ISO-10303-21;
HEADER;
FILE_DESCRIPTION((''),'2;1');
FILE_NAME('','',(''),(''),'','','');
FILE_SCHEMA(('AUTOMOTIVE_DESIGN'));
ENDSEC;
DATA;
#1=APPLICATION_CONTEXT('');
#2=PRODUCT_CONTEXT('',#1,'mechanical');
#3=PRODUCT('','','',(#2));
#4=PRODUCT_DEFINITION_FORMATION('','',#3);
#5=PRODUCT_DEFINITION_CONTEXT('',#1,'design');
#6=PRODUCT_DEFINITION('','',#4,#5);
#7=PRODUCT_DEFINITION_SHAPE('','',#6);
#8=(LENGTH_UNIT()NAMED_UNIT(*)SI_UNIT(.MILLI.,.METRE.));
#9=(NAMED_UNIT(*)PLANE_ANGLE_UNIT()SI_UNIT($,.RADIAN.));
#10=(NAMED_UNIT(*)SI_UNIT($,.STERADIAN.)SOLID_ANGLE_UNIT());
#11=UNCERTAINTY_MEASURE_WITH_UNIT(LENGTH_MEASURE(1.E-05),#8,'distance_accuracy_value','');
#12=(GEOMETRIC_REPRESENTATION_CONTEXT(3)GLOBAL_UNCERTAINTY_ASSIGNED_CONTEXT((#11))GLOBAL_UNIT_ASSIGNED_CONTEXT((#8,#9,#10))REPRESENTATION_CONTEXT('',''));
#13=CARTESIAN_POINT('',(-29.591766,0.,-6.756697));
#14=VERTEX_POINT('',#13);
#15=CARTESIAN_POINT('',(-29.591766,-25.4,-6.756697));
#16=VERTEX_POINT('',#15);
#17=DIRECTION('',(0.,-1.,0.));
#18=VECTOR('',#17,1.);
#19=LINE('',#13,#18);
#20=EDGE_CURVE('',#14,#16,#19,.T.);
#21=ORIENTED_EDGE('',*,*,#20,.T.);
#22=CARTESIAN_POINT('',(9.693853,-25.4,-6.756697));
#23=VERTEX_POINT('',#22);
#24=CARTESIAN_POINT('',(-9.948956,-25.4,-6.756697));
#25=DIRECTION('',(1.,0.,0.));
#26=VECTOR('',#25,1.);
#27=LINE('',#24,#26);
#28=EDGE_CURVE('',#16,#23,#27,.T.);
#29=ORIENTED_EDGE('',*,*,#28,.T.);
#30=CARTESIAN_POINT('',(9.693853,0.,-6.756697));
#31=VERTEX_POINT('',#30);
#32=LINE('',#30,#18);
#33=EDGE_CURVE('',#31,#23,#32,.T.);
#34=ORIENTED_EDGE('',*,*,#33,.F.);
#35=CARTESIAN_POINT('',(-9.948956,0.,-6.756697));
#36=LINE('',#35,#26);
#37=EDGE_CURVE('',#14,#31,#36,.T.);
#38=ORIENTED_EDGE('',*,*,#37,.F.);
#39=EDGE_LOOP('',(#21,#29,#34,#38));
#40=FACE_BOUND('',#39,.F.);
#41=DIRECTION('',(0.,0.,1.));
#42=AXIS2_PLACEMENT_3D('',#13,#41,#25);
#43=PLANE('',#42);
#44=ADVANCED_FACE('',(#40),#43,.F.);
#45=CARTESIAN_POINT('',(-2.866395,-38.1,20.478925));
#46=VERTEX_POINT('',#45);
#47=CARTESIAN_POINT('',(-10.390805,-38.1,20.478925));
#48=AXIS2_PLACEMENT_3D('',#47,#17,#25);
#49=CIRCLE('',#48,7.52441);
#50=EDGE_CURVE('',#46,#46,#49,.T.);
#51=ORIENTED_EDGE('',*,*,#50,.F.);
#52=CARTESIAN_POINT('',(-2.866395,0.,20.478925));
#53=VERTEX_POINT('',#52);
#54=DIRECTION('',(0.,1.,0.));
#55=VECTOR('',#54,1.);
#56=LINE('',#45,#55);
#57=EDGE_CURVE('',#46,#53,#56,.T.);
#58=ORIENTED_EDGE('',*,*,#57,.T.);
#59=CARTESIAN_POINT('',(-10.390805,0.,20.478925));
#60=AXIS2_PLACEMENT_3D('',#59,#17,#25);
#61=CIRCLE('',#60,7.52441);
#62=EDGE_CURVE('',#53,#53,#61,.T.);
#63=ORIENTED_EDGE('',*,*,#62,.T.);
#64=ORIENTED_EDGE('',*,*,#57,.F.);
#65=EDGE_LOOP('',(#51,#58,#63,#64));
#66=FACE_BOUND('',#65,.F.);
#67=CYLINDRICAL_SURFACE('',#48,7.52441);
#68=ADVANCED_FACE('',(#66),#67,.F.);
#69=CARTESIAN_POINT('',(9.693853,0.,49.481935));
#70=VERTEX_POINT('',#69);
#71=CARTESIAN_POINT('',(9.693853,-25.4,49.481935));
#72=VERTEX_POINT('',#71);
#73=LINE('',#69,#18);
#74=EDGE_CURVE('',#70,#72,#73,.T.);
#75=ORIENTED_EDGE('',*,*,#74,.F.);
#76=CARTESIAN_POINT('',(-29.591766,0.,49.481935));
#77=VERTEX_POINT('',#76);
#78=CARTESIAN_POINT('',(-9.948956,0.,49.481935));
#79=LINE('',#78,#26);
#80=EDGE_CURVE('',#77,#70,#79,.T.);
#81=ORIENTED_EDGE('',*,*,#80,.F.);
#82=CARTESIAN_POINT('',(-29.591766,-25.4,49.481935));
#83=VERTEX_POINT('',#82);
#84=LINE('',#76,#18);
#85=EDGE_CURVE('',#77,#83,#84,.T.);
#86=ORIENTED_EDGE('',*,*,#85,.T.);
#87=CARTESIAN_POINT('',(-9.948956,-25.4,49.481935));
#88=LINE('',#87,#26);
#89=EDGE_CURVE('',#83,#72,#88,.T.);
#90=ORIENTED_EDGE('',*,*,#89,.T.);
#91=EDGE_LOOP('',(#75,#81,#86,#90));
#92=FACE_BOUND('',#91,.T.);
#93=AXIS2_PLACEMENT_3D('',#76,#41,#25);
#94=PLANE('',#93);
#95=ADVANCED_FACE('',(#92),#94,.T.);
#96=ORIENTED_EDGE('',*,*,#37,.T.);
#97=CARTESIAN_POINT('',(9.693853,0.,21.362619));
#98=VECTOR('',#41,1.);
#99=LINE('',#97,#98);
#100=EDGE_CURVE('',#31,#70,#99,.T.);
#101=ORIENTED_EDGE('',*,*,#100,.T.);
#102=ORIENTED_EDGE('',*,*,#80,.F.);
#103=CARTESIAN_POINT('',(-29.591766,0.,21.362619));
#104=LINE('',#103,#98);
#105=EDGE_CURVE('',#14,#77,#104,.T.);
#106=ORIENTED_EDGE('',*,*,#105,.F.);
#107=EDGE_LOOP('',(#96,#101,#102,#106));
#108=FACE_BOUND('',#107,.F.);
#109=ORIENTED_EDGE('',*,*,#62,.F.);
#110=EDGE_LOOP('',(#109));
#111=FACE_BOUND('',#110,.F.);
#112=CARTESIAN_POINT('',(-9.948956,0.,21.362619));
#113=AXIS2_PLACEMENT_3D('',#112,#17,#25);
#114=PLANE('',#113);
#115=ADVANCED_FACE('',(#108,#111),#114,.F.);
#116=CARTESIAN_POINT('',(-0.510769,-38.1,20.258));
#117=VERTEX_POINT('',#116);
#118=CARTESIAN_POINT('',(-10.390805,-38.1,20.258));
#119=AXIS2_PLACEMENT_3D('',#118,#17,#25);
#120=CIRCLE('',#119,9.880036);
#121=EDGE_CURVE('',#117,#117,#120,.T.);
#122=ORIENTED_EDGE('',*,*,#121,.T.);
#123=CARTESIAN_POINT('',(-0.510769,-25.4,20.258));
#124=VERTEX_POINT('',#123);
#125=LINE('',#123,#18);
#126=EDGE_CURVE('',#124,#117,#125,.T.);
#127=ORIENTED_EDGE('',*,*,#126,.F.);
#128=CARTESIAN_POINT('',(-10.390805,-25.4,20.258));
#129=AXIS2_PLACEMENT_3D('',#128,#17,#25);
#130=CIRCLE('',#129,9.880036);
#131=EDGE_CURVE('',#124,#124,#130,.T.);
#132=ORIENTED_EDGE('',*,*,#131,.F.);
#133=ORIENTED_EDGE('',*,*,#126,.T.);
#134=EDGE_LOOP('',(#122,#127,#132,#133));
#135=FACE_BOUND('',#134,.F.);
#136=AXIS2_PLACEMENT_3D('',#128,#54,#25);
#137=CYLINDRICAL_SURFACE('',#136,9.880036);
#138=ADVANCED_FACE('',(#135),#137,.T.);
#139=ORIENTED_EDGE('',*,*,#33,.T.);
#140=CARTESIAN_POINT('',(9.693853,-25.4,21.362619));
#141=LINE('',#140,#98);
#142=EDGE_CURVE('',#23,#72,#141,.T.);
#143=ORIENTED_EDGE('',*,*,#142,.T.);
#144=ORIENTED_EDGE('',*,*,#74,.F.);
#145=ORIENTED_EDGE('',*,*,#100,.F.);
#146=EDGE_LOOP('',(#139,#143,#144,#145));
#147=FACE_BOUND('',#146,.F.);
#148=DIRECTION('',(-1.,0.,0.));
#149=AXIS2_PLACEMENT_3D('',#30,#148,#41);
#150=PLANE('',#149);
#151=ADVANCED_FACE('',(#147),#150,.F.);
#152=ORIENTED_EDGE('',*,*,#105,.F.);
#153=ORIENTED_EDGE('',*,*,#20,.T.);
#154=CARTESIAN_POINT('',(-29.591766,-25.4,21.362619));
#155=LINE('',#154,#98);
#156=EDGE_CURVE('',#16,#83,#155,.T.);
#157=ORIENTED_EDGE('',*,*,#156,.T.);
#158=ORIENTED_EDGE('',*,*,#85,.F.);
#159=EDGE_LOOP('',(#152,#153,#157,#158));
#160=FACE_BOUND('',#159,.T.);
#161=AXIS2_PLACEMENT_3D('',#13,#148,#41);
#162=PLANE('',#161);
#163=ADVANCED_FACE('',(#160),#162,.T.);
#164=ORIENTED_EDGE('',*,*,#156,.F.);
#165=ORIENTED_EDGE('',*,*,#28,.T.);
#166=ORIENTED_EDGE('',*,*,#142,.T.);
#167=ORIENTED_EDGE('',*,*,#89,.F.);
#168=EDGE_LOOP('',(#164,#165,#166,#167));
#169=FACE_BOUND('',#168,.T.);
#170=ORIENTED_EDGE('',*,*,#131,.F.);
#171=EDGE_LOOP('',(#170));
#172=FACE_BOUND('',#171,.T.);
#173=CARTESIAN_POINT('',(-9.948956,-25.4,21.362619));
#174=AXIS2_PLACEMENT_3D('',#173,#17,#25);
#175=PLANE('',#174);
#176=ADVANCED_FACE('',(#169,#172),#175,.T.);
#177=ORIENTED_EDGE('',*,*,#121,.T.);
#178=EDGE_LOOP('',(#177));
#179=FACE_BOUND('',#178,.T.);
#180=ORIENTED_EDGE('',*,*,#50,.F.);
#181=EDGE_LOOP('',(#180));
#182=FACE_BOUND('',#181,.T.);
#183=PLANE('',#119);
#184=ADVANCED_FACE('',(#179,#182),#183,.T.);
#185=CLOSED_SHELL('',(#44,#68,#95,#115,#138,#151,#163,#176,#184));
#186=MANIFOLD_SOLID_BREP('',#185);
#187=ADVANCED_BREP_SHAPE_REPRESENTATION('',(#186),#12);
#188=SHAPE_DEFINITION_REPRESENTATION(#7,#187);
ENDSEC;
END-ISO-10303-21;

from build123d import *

# Parameters (mm, degrees)
F0_W     = 39.285619
F0_H     = 56.238633
F1_DEPTH = 25.4
F2_R     = 9.880036
F3_DEPTH = 12.7
F5_R     = 7.52441
F6_DEPTH = 38.101


with BuildPart() as f1:
    # F0 (on Front) → F1 (new body)
    with BuildSketch(Plane.XZ):
        with Locations((-9.948956, 21.362619)):
            Rectangle(F0_W, F0_H)
    extrude(amount=F1_DEPTH)

    # F2 (on face) → F3 (join)
    with BuildSketch(Plane.XZ.offset(25.4)):
        with Locations((-10.390805, 20.258)):
            Circle(F2_R)
    extrude(amount=F3_DEPTH)

    # F5 (on face) → F6 (cut, through all)
    with BuildSketch(Plane.XZ.offset(38.1)):
        with Locations((-10.390805, 20.478925)):
            Circle(F5_R)
    extrude(amount=-F6_DEPTH, mode=Mode.SUBTRACT)


solid = f1.part
